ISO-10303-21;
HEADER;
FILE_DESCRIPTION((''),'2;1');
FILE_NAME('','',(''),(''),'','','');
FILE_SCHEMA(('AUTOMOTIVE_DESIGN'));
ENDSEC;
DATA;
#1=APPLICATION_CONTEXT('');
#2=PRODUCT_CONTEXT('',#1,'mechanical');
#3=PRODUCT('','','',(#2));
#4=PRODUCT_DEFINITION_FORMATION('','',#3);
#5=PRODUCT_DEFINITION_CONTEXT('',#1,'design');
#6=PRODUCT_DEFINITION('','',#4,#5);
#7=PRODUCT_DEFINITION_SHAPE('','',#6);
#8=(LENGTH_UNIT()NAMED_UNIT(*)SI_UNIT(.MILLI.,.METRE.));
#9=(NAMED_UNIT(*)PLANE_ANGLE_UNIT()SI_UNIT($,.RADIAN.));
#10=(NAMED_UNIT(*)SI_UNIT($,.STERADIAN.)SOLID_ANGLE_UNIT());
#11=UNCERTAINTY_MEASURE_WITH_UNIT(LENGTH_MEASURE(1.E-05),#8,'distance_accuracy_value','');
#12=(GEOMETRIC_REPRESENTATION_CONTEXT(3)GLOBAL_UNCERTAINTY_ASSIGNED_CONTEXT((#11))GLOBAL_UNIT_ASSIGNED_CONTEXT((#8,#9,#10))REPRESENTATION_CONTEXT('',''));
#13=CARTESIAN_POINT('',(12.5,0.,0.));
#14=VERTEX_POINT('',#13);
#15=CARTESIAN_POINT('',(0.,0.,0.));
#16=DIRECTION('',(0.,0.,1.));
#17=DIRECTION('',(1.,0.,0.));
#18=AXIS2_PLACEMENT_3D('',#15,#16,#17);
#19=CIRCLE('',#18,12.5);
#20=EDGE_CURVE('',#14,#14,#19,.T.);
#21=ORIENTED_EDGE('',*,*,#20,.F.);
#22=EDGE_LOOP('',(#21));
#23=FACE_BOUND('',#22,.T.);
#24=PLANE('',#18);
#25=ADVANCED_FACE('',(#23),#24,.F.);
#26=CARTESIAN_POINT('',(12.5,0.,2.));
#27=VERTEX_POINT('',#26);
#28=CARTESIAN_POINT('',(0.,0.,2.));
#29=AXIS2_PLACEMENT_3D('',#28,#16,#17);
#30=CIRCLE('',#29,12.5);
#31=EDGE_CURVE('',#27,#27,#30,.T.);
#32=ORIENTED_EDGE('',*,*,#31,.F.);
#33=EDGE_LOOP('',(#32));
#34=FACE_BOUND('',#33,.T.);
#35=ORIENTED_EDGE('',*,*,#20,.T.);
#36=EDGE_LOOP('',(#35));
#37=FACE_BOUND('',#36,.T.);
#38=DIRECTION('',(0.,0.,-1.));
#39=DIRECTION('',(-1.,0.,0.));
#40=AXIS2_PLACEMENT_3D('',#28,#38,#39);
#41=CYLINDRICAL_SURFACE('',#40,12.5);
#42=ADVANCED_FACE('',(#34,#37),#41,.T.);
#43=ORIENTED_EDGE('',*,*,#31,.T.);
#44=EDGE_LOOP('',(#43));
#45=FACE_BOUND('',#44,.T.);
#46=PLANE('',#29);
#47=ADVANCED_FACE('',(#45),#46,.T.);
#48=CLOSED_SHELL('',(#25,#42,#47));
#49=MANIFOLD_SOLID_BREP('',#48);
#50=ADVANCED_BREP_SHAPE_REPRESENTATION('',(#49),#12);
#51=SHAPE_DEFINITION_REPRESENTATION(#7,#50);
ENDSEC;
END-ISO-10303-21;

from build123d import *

# Parameters (mm, degrees)
SKETCH_1_R      = 12.5
EXTRUDE_1_DEPTH = 2


with BuildPart() as part:
    # 草图1 → 凸台-拉伸1 (new body)
    with BuildSketch(Plane.XY):
        Circle(SKETCH_1_R)
    extrude(amount=EXTRUDE_1_DEPTH)


solid = part.part
